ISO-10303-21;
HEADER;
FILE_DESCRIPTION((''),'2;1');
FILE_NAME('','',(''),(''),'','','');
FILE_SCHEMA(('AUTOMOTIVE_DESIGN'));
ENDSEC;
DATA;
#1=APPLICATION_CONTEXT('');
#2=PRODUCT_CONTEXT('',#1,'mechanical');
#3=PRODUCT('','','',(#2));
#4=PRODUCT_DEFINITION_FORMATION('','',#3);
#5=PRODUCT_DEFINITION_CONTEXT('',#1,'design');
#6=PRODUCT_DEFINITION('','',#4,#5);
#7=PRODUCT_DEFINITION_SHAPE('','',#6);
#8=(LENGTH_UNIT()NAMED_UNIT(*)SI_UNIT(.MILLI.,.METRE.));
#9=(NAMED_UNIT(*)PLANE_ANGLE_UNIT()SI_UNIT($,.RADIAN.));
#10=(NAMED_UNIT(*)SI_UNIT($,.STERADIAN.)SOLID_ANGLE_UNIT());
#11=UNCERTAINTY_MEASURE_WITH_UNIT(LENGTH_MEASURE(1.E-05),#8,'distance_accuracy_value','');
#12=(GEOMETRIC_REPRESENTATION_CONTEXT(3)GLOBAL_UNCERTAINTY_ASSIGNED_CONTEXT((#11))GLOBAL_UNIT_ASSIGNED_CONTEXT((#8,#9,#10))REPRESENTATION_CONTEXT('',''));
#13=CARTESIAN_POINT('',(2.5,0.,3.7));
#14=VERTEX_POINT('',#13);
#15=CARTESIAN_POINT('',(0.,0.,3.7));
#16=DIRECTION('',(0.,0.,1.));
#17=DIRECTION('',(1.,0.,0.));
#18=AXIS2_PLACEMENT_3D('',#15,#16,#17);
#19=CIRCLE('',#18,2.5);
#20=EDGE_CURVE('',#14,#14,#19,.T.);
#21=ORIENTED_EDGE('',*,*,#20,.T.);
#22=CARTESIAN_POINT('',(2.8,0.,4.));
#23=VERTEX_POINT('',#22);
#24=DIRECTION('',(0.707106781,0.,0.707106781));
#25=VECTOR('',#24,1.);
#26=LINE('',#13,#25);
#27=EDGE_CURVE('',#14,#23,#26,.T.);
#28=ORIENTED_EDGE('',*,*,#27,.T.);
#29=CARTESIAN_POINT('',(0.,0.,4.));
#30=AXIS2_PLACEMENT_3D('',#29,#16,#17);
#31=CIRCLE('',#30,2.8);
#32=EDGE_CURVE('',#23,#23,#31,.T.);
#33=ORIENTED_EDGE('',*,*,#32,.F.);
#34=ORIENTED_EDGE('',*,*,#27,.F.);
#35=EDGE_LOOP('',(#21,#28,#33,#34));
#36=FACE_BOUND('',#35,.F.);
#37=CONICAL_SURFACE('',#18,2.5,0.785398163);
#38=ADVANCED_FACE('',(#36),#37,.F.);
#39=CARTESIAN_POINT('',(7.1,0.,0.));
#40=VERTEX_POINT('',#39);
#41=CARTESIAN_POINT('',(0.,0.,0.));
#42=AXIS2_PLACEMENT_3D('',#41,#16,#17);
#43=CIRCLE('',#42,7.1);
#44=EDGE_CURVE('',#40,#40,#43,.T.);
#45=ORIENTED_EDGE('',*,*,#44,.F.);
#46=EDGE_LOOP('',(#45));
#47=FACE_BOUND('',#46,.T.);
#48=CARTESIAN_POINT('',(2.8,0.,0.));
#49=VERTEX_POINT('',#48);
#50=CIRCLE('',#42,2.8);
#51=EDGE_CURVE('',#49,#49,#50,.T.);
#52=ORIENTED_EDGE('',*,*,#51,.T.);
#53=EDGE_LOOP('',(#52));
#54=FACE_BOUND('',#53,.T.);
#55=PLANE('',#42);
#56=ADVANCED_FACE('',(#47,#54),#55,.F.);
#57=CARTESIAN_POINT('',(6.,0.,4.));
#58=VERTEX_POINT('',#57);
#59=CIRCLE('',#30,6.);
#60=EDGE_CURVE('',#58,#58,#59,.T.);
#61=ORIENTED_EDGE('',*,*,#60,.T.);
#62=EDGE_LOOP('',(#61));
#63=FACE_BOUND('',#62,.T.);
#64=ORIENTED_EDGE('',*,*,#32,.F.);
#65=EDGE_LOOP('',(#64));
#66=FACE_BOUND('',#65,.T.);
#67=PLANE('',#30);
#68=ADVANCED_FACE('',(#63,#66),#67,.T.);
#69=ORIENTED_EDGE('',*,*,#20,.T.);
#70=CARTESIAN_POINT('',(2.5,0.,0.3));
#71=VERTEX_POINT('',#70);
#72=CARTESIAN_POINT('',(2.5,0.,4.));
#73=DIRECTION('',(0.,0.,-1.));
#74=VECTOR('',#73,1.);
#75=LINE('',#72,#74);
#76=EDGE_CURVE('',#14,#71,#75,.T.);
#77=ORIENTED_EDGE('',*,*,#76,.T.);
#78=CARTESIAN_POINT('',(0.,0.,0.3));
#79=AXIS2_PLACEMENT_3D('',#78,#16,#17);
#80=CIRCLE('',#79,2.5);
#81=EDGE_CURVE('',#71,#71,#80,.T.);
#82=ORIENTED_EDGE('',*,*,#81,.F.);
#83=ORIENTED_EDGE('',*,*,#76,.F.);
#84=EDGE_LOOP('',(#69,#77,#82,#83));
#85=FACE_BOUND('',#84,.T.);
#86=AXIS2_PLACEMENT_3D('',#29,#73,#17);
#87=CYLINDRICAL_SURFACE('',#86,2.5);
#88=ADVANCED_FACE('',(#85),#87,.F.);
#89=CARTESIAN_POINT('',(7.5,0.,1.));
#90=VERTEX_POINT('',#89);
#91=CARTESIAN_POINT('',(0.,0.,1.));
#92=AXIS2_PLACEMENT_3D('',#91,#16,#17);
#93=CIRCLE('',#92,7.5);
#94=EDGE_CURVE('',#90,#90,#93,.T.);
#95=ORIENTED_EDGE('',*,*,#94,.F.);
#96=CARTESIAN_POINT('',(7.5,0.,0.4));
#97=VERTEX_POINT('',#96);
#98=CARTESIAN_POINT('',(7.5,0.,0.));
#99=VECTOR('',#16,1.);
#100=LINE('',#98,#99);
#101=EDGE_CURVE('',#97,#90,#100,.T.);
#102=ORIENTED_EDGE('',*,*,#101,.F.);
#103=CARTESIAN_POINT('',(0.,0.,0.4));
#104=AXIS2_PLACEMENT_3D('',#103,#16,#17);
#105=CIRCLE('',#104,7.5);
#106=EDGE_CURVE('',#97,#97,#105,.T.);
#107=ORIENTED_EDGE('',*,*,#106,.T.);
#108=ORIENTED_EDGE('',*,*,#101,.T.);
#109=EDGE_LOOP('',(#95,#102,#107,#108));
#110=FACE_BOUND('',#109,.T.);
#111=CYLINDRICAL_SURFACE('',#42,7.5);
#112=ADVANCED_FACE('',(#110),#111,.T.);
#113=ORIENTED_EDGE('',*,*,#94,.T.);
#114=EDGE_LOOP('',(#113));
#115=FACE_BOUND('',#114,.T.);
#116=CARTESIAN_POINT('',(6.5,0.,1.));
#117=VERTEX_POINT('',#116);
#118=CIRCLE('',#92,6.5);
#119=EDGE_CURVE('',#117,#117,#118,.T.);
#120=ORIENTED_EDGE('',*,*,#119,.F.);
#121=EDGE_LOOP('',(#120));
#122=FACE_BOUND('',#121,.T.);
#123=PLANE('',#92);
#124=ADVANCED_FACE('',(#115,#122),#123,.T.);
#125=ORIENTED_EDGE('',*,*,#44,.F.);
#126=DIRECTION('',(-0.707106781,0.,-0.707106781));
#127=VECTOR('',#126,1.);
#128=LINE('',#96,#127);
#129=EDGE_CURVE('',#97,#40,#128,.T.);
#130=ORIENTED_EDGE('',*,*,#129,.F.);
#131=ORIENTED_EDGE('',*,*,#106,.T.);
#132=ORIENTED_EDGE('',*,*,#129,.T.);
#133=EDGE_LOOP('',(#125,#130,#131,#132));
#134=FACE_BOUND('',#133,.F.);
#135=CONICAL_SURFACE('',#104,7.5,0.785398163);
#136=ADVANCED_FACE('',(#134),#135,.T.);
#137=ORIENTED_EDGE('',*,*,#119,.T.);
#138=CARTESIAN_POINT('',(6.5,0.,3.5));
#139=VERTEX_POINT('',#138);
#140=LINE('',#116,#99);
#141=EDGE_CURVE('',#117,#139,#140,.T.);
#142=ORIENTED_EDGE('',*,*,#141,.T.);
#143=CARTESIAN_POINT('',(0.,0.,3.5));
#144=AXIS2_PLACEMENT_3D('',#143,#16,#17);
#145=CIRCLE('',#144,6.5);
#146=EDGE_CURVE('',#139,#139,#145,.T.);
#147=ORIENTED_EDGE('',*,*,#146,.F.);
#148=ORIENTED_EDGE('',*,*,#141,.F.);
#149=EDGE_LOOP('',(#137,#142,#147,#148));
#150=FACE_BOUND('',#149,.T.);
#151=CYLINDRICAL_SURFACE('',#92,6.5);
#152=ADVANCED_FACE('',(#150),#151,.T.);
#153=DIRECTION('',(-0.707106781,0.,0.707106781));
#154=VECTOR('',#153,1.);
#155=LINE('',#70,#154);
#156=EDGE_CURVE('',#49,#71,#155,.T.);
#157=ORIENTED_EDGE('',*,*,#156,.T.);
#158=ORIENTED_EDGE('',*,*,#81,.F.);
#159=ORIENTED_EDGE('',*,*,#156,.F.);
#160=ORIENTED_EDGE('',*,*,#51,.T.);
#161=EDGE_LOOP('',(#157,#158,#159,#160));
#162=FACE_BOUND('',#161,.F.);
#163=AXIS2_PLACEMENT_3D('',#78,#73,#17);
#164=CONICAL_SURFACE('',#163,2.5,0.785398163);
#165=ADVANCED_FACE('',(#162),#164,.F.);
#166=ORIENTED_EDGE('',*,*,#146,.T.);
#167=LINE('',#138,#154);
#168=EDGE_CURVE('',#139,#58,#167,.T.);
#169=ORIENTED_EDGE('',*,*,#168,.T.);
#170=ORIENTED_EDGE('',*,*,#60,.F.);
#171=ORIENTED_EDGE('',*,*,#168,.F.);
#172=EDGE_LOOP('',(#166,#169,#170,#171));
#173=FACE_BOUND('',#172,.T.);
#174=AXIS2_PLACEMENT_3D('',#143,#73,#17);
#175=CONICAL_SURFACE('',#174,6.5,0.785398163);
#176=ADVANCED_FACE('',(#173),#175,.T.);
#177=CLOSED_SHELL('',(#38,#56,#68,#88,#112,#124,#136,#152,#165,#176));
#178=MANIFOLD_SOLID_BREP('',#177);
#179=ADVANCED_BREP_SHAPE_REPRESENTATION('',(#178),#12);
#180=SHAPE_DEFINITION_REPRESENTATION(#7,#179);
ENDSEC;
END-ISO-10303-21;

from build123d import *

# Parameters (mm, degrees)
F2_SIZE = 0.5
F3_SIZE = 0.4
F4_SIZE = 0.3


with BuildPart() as f1:
    # F0 (on Front) → F1 (revolve)
    with BuildSketch(Plane.XZ):
        Polygon((2.5, 0), (7.5, 0), (7.5, 1), (6.5, 1), (6.5, 4), (2.5, 4), align=None)
    revolve(axis=Axis((0, 0, 10.44), (0, 0, 1)))

    # F2
    f2_edges = [f1.edges().sort_by_distance(p)[0] for p in [
        (-6.5, 0, 4),
    ]]
    chamfer(f2_edges, length=F2_SIZE)

    # F3
    f3_edges = [f1.edges().sort_by_distance(p)[0] for p in [
        (-7.5, 0, 0),
    ]]
    chamfer(f3_edges, length=F3_SIZE)

    # F4
    f4_edges = [f1.edges().sort_by_distance(p)[0] for p in [
        (-2.5, 0, 0),
        (-2.5, 0, 4),
    ]]
    chamfer(f4_edges, length=F4_SIZE)


solid = f1.part
